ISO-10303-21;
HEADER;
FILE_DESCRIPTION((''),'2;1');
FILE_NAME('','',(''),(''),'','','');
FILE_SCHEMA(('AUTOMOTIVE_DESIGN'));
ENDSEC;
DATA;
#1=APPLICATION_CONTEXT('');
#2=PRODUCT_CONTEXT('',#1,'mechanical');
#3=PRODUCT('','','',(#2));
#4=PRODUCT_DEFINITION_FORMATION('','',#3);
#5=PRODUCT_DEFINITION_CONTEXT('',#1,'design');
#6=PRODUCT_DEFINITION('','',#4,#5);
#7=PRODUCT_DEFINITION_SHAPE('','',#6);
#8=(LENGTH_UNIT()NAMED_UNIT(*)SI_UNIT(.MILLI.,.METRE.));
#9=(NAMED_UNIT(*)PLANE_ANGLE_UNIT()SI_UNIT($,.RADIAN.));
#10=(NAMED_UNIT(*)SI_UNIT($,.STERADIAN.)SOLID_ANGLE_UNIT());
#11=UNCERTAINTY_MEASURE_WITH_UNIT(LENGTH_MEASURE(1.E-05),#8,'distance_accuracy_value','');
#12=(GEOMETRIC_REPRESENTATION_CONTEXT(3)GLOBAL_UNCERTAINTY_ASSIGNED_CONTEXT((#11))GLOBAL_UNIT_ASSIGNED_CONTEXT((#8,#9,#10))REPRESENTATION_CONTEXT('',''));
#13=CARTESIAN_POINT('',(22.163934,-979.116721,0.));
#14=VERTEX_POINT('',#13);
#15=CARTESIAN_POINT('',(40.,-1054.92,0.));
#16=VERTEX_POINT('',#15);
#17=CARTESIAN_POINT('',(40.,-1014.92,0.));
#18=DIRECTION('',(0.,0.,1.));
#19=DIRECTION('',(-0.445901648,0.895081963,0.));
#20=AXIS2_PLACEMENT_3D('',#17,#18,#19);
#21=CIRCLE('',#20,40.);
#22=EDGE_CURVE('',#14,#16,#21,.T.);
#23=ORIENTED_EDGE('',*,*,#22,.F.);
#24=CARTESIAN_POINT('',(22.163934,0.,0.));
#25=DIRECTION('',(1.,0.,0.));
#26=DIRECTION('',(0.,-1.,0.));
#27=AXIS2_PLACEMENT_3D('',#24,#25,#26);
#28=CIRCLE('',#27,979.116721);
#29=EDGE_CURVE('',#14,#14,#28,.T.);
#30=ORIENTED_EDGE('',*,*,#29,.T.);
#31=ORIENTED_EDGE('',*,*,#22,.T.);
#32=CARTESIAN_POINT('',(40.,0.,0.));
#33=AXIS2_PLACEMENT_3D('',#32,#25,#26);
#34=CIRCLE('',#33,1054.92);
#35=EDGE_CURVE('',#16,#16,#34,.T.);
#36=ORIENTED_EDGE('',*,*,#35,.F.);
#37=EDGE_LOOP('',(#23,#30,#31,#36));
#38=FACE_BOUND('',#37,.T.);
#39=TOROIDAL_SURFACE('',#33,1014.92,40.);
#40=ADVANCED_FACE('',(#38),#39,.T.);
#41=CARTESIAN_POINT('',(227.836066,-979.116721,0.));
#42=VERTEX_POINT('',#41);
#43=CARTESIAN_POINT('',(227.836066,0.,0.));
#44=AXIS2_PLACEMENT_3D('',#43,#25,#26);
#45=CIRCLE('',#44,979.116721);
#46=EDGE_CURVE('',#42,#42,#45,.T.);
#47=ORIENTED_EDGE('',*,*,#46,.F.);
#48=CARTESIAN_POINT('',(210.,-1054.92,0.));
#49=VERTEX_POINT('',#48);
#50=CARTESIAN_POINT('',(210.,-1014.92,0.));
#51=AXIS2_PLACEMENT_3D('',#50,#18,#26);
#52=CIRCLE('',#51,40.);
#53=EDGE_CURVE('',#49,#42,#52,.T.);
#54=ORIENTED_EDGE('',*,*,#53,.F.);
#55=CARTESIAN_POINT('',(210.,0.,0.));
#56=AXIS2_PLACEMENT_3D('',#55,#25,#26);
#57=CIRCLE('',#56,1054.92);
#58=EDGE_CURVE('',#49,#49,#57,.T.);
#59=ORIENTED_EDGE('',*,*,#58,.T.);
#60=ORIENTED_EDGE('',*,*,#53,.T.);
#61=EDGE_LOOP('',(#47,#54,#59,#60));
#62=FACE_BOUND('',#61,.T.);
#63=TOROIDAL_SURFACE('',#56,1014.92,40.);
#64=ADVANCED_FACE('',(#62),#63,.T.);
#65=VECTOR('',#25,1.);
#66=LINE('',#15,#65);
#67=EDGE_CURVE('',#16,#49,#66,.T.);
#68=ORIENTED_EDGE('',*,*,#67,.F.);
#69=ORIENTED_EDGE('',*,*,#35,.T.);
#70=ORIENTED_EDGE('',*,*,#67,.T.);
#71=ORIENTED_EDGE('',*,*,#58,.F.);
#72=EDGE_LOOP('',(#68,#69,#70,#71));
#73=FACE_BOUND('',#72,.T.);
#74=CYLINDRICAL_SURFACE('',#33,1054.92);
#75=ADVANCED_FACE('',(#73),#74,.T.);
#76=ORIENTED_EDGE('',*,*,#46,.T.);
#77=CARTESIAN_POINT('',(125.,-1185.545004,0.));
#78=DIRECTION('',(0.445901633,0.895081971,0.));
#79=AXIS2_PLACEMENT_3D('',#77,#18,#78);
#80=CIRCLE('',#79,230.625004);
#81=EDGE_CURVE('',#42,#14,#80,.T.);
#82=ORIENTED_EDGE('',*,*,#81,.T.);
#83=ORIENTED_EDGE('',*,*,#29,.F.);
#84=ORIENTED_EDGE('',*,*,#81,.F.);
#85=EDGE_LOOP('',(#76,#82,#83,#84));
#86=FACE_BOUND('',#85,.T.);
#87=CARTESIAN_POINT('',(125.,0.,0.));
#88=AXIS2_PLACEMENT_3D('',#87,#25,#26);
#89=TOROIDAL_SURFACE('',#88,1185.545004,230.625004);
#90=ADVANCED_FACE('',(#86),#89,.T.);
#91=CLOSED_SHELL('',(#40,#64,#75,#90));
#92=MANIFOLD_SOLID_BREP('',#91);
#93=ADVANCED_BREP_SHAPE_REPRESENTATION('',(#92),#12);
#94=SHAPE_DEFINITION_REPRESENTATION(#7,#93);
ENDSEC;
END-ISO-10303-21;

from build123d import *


with BuildPart() as part:
    # Sketch → Revolution (revolve)
    with BuildSketch(Plane.XY):
        with BuildLine():
            Line((40, -1054.92), (210, -1054.92))
            ThreePointArc((210, -1054.92), (248.936687, -1024.081573), (227.836066, -979.116721))
            ThreePointArc((227.836066, -979.116721), (125, -954.92), (22.163934, -979.116721))
            ThreePointArc((22.163934, -979.116721), (1.063313, -1024.081573), (40, -1054.92))
        make_face()
    revolve(axis=Axis((0, 0, 0), (1, 0, 0)))


solid = part.part
